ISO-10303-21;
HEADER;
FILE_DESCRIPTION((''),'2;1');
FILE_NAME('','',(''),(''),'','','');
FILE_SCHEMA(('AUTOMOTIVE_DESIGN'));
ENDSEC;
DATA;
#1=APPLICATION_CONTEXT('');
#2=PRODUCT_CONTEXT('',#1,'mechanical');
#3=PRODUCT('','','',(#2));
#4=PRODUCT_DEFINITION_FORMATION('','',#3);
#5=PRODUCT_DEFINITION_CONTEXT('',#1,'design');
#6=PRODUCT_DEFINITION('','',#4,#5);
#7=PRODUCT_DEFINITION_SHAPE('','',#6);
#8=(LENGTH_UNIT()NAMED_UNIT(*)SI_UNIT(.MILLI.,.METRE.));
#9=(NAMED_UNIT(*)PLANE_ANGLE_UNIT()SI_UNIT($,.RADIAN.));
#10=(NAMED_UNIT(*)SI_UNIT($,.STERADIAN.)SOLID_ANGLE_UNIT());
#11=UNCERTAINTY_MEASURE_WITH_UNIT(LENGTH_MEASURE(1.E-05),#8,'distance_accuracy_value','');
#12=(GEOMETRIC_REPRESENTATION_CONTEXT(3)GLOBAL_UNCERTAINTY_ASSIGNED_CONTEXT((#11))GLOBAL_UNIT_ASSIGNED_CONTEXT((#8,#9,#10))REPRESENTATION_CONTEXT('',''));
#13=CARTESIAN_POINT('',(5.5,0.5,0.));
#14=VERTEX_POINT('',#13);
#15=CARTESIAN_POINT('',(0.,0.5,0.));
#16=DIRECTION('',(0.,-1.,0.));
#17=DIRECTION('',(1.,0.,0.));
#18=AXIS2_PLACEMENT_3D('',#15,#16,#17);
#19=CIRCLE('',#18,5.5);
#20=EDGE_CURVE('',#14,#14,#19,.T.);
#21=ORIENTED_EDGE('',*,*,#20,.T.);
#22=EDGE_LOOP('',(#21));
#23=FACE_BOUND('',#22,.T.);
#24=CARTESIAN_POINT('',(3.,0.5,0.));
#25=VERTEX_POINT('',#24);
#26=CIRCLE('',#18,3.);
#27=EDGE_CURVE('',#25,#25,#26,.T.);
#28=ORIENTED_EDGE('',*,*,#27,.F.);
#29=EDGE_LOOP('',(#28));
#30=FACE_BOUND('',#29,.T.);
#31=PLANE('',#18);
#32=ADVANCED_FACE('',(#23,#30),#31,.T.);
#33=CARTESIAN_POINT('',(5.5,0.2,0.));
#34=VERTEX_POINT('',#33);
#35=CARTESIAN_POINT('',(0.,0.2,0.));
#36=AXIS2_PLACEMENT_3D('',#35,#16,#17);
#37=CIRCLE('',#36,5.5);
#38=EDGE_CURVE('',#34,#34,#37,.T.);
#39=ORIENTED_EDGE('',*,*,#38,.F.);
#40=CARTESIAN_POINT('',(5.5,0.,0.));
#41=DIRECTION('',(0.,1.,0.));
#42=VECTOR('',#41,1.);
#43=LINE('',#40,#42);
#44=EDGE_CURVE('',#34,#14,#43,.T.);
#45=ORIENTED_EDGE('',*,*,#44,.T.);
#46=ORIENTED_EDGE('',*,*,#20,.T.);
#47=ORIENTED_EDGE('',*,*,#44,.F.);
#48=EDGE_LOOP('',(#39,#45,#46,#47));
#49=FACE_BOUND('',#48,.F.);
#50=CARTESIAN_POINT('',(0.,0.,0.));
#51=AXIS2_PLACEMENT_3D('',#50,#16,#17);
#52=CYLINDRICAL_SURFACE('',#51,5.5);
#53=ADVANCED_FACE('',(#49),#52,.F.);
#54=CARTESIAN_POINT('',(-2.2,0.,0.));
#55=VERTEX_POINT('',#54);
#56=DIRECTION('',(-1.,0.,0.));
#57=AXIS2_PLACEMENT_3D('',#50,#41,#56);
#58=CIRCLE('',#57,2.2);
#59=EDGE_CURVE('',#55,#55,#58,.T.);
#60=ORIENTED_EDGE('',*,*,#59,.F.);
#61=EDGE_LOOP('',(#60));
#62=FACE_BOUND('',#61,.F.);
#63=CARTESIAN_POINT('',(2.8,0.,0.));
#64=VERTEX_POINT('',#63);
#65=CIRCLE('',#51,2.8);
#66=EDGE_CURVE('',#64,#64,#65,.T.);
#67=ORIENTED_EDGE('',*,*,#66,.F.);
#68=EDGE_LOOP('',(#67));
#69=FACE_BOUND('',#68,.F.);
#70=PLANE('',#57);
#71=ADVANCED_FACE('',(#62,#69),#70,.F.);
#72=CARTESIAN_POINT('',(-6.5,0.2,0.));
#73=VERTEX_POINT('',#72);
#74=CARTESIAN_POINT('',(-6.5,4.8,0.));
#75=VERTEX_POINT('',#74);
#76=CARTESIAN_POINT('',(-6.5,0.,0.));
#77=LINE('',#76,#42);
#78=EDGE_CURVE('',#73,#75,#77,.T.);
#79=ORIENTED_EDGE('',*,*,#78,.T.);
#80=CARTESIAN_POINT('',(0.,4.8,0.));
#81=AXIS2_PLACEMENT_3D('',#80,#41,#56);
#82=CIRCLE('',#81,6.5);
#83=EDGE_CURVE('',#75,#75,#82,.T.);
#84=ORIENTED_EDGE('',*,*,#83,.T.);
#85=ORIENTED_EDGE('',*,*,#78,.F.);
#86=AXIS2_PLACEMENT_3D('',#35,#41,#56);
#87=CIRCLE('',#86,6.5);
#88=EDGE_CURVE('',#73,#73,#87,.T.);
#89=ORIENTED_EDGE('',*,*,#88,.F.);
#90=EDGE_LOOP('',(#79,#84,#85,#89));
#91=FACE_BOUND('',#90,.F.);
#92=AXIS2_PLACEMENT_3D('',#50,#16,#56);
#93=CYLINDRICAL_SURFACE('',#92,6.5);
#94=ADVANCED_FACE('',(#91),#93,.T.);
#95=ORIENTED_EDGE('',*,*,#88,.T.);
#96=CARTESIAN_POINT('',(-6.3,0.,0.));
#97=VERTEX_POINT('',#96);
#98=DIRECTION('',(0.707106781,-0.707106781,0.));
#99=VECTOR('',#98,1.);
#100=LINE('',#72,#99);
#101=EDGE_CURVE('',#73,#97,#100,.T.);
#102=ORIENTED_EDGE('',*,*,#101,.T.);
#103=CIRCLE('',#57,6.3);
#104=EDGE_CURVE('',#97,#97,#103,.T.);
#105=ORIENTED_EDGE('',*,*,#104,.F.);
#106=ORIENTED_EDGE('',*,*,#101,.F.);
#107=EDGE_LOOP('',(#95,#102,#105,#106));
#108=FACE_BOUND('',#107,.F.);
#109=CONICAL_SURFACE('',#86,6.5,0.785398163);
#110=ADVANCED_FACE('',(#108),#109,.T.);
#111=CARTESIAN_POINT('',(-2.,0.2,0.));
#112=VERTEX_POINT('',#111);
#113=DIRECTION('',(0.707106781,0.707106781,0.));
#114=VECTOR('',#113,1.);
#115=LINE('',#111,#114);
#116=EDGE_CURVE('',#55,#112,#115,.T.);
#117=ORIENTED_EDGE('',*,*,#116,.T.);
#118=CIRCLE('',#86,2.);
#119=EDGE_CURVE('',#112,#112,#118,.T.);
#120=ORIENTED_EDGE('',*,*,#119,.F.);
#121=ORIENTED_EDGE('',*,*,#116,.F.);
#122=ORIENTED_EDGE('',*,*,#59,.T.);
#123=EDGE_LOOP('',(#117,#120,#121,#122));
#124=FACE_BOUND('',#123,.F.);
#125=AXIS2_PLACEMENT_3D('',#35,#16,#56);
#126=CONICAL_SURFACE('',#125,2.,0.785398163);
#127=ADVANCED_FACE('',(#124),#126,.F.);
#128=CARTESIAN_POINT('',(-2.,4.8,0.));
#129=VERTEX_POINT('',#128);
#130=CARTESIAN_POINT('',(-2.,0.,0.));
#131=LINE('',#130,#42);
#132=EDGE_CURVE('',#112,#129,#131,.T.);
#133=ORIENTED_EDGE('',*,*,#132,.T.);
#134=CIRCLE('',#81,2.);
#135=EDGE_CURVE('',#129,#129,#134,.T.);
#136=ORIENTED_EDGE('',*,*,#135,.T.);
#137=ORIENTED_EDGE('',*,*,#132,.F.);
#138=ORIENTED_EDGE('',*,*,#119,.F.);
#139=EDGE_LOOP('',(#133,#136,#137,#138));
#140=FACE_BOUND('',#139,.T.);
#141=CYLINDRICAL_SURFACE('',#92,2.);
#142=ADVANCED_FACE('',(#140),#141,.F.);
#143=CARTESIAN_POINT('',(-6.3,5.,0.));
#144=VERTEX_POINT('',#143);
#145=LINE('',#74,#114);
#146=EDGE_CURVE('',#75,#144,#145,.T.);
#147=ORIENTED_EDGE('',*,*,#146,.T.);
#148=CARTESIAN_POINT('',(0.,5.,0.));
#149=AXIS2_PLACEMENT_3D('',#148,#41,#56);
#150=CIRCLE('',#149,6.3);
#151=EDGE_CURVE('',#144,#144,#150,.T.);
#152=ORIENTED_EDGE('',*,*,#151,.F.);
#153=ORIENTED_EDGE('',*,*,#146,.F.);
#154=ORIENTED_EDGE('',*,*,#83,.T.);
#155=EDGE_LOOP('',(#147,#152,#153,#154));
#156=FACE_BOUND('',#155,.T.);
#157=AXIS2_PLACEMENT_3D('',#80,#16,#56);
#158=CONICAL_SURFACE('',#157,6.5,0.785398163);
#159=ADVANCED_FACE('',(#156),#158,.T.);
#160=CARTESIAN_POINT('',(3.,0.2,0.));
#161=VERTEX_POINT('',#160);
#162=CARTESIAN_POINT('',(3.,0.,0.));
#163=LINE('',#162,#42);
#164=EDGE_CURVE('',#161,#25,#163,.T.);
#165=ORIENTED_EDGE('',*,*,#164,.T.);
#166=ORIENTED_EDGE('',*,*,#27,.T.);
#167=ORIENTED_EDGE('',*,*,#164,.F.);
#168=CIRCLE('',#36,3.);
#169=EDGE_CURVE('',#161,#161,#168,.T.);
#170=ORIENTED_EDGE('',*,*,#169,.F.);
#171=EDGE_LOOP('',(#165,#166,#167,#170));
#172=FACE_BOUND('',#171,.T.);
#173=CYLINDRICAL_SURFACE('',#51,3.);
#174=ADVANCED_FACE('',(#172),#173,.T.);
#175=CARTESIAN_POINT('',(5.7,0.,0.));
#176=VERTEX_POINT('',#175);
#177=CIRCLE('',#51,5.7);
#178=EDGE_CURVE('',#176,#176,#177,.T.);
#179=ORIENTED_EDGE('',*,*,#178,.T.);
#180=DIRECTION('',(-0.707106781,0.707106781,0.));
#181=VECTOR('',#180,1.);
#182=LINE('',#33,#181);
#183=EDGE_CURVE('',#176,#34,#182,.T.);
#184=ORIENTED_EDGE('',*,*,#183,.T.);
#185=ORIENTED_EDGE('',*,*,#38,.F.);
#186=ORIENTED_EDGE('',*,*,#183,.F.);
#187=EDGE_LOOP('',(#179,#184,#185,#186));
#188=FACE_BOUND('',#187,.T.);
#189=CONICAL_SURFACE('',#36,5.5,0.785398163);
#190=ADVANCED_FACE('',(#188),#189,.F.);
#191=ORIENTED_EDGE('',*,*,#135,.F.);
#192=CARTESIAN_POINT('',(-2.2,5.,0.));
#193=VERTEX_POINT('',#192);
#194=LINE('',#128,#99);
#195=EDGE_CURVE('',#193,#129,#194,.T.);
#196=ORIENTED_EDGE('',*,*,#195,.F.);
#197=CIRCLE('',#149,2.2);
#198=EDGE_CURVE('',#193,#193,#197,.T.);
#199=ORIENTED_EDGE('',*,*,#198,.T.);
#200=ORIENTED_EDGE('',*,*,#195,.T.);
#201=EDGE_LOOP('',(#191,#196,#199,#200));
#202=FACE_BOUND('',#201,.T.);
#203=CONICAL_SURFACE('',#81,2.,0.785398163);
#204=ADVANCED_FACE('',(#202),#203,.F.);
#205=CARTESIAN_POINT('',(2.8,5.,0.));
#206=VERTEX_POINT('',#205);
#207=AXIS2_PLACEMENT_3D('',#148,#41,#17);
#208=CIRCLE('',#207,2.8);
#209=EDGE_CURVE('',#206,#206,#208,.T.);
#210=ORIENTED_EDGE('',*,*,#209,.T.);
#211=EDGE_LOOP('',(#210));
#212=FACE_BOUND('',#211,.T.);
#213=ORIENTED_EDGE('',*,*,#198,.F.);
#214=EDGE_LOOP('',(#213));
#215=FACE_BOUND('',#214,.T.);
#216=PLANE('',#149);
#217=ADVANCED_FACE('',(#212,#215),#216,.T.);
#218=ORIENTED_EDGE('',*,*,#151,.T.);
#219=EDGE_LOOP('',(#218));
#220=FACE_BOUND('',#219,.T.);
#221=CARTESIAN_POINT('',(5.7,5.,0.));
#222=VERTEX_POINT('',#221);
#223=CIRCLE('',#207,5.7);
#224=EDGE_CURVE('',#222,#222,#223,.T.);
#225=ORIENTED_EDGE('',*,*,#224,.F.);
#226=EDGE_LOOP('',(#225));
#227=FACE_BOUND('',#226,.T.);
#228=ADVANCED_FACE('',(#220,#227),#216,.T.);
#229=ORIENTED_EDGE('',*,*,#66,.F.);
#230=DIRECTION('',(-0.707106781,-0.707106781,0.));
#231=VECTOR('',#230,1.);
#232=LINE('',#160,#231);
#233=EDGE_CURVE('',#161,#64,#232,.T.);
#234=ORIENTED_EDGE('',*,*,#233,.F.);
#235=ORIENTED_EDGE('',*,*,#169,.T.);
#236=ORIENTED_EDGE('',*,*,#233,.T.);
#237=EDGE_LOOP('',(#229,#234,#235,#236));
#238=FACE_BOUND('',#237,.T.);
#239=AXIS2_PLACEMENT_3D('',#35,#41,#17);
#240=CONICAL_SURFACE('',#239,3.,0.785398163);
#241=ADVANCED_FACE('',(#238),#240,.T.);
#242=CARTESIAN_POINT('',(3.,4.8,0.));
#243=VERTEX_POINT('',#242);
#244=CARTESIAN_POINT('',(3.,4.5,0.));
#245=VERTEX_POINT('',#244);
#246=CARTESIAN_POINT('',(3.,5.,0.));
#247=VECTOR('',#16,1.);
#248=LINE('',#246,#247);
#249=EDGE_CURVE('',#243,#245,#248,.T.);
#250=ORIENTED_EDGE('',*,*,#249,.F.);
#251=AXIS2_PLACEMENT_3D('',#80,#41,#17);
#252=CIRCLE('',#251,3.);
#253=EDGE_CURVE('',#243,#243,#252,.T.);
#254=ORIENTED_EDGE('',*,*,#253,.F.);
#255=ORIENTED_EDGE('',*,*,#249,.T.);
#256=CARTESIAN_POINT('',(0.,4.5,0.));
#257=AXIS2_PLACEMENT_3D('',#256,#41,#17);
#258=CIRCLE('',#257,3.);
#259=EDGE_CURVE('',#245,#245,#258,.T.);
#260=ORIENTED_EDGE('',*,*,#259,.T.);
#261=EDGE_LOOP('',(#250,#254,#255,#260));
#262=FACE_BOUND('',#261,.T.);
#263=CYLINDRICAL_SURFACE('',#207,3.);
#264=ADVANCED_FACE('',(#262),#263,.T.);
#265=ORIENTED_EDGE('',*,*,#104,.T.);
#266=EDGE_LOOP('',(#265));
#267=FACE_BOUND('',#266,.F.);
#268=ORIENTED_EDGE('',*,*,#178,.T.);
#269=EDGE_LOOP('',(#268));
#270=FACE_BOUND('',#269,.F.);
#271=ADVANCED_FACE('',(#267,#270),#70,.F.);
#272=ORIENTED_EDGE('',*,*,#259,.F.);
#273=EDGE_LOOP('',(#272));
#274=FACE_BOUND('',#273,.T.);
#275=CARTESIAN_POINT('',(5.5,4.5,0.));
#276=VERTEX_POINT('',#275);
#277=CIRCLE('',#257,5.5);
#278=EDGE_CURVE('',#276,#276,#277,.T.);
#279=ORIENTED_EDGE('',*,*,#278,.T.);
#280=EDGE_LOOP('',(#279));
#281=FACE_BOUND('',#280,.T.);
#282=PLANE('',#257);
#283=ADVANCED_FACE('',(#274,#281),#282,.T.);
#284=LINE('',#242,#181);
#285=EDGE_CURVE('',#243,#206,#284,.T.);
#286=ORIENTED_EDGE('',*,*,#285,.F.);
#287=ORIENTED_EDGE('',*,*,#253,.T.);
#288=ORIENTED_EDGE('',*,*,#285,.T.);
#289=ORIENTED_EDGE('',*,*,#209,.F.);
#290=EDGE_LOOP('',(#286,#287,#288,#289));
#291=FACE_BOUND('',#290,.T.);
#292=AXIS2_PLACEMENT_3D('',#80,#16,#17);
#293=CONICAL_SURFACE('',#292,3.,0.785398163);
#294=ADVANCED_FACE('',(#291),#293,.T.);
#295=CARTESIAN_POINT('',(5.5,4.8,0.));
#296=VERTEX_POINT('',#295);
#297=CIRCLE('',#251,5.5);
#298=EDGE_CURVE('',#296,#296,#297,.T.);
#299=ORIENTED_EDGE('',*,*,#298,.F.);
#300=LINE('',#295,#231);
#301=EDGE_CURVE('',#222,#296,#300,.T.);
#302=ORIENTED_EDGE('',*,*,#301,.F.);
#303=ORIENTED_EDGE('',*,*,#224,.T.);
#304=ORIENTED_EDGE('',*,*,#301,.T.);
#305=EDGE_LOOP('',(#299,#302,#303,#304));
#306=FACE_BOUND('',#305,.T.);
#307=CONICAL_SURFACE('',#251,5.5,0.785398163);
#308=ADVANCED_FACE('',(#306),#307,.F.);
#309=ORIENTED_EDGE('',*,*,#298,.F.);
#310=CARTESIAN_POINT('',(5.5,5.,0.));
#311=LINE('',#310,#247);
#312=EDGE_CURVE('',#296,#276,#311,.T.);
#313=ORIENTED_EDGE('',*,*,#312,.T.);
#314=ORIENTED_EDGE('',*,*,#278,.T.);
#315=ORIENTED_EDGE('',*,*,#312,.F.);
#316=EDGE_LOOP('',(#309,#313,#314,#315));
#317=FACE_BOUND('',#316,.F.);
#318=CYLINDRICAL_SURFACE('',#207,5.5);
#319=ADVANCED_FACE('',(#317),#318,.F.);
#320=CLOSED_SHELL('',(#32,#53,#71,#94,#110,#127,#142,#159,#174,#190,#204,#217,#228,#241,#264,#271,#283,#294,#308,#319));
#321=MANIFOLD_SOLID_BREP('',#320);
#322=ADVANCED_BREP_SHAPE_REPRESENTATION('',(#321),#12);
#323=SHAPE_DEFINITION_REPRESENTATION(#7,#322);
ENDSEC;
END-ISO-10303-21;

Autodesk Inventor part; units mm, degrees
ref_plane "YZ Plane" through (0, 0, 0) normal (1, 0, 0) x (0, 1, 0)
ref_plane "XZ Plane" through (0, 0, 0) normal (0, 1, 0) x (-1, 0, 0)
ref_plane "XY Plane" through (0, 0, 0) normal (0, 0, 1) x (1, 0, 0)
sketch "Эскиз1" plane through (0, 0, 0) normal (0, 1, 0) x (-1, 0, 0)
  circle A0 centre (0, 0) radius 6.5
  circle A1 centre (0, 0) radius 2
  dimension "d0" = 13
  dimension "d1" = 4
extrude "Выдавливание1" add sketch "Эскиз1" along normal blind 5
sketch "Эскиз2" plane through (0, 5, 0) normal (0, 1, 0) x (1, 0, 0)
  circle A0 centre (0, 0) radius 3
  circle A1 centre (0, 0) radius 5.5
  circle A2 centre (0, 0) radius 6.5 projected
  circle A3 centre (0, 0) radius 2 projected
  dimension "d4" = 1
  dimension "d5" = 1
extrude "Выдавливание2" cut sketch "Эскиз2" against normal blind 0.5 contours A1
sketch "Эскиз3" plane through (0, 0, 0) normal (0, -1, 0) x (1, 0, 0)
  circle A0 centre (0, 0) radius 3 projected
  circle A1 centre (0, 0) radius 5.5 projected
extrude "Выдавливание3" cut sketch "Эскиз3" against normal blind 0.5
chamfer "Фаска1" distance 0.2 angle 45 8 edges at (-3, 0, 0) (2, 0, 0) (-5.5, 0, 0) (6.5, 0, 0) (6.5, 5, 0) (-5.5, 5, 0) (-3, 5, 0) (2, 5, 0)
properties part number "Подшипник 626Z" material "Титан"
